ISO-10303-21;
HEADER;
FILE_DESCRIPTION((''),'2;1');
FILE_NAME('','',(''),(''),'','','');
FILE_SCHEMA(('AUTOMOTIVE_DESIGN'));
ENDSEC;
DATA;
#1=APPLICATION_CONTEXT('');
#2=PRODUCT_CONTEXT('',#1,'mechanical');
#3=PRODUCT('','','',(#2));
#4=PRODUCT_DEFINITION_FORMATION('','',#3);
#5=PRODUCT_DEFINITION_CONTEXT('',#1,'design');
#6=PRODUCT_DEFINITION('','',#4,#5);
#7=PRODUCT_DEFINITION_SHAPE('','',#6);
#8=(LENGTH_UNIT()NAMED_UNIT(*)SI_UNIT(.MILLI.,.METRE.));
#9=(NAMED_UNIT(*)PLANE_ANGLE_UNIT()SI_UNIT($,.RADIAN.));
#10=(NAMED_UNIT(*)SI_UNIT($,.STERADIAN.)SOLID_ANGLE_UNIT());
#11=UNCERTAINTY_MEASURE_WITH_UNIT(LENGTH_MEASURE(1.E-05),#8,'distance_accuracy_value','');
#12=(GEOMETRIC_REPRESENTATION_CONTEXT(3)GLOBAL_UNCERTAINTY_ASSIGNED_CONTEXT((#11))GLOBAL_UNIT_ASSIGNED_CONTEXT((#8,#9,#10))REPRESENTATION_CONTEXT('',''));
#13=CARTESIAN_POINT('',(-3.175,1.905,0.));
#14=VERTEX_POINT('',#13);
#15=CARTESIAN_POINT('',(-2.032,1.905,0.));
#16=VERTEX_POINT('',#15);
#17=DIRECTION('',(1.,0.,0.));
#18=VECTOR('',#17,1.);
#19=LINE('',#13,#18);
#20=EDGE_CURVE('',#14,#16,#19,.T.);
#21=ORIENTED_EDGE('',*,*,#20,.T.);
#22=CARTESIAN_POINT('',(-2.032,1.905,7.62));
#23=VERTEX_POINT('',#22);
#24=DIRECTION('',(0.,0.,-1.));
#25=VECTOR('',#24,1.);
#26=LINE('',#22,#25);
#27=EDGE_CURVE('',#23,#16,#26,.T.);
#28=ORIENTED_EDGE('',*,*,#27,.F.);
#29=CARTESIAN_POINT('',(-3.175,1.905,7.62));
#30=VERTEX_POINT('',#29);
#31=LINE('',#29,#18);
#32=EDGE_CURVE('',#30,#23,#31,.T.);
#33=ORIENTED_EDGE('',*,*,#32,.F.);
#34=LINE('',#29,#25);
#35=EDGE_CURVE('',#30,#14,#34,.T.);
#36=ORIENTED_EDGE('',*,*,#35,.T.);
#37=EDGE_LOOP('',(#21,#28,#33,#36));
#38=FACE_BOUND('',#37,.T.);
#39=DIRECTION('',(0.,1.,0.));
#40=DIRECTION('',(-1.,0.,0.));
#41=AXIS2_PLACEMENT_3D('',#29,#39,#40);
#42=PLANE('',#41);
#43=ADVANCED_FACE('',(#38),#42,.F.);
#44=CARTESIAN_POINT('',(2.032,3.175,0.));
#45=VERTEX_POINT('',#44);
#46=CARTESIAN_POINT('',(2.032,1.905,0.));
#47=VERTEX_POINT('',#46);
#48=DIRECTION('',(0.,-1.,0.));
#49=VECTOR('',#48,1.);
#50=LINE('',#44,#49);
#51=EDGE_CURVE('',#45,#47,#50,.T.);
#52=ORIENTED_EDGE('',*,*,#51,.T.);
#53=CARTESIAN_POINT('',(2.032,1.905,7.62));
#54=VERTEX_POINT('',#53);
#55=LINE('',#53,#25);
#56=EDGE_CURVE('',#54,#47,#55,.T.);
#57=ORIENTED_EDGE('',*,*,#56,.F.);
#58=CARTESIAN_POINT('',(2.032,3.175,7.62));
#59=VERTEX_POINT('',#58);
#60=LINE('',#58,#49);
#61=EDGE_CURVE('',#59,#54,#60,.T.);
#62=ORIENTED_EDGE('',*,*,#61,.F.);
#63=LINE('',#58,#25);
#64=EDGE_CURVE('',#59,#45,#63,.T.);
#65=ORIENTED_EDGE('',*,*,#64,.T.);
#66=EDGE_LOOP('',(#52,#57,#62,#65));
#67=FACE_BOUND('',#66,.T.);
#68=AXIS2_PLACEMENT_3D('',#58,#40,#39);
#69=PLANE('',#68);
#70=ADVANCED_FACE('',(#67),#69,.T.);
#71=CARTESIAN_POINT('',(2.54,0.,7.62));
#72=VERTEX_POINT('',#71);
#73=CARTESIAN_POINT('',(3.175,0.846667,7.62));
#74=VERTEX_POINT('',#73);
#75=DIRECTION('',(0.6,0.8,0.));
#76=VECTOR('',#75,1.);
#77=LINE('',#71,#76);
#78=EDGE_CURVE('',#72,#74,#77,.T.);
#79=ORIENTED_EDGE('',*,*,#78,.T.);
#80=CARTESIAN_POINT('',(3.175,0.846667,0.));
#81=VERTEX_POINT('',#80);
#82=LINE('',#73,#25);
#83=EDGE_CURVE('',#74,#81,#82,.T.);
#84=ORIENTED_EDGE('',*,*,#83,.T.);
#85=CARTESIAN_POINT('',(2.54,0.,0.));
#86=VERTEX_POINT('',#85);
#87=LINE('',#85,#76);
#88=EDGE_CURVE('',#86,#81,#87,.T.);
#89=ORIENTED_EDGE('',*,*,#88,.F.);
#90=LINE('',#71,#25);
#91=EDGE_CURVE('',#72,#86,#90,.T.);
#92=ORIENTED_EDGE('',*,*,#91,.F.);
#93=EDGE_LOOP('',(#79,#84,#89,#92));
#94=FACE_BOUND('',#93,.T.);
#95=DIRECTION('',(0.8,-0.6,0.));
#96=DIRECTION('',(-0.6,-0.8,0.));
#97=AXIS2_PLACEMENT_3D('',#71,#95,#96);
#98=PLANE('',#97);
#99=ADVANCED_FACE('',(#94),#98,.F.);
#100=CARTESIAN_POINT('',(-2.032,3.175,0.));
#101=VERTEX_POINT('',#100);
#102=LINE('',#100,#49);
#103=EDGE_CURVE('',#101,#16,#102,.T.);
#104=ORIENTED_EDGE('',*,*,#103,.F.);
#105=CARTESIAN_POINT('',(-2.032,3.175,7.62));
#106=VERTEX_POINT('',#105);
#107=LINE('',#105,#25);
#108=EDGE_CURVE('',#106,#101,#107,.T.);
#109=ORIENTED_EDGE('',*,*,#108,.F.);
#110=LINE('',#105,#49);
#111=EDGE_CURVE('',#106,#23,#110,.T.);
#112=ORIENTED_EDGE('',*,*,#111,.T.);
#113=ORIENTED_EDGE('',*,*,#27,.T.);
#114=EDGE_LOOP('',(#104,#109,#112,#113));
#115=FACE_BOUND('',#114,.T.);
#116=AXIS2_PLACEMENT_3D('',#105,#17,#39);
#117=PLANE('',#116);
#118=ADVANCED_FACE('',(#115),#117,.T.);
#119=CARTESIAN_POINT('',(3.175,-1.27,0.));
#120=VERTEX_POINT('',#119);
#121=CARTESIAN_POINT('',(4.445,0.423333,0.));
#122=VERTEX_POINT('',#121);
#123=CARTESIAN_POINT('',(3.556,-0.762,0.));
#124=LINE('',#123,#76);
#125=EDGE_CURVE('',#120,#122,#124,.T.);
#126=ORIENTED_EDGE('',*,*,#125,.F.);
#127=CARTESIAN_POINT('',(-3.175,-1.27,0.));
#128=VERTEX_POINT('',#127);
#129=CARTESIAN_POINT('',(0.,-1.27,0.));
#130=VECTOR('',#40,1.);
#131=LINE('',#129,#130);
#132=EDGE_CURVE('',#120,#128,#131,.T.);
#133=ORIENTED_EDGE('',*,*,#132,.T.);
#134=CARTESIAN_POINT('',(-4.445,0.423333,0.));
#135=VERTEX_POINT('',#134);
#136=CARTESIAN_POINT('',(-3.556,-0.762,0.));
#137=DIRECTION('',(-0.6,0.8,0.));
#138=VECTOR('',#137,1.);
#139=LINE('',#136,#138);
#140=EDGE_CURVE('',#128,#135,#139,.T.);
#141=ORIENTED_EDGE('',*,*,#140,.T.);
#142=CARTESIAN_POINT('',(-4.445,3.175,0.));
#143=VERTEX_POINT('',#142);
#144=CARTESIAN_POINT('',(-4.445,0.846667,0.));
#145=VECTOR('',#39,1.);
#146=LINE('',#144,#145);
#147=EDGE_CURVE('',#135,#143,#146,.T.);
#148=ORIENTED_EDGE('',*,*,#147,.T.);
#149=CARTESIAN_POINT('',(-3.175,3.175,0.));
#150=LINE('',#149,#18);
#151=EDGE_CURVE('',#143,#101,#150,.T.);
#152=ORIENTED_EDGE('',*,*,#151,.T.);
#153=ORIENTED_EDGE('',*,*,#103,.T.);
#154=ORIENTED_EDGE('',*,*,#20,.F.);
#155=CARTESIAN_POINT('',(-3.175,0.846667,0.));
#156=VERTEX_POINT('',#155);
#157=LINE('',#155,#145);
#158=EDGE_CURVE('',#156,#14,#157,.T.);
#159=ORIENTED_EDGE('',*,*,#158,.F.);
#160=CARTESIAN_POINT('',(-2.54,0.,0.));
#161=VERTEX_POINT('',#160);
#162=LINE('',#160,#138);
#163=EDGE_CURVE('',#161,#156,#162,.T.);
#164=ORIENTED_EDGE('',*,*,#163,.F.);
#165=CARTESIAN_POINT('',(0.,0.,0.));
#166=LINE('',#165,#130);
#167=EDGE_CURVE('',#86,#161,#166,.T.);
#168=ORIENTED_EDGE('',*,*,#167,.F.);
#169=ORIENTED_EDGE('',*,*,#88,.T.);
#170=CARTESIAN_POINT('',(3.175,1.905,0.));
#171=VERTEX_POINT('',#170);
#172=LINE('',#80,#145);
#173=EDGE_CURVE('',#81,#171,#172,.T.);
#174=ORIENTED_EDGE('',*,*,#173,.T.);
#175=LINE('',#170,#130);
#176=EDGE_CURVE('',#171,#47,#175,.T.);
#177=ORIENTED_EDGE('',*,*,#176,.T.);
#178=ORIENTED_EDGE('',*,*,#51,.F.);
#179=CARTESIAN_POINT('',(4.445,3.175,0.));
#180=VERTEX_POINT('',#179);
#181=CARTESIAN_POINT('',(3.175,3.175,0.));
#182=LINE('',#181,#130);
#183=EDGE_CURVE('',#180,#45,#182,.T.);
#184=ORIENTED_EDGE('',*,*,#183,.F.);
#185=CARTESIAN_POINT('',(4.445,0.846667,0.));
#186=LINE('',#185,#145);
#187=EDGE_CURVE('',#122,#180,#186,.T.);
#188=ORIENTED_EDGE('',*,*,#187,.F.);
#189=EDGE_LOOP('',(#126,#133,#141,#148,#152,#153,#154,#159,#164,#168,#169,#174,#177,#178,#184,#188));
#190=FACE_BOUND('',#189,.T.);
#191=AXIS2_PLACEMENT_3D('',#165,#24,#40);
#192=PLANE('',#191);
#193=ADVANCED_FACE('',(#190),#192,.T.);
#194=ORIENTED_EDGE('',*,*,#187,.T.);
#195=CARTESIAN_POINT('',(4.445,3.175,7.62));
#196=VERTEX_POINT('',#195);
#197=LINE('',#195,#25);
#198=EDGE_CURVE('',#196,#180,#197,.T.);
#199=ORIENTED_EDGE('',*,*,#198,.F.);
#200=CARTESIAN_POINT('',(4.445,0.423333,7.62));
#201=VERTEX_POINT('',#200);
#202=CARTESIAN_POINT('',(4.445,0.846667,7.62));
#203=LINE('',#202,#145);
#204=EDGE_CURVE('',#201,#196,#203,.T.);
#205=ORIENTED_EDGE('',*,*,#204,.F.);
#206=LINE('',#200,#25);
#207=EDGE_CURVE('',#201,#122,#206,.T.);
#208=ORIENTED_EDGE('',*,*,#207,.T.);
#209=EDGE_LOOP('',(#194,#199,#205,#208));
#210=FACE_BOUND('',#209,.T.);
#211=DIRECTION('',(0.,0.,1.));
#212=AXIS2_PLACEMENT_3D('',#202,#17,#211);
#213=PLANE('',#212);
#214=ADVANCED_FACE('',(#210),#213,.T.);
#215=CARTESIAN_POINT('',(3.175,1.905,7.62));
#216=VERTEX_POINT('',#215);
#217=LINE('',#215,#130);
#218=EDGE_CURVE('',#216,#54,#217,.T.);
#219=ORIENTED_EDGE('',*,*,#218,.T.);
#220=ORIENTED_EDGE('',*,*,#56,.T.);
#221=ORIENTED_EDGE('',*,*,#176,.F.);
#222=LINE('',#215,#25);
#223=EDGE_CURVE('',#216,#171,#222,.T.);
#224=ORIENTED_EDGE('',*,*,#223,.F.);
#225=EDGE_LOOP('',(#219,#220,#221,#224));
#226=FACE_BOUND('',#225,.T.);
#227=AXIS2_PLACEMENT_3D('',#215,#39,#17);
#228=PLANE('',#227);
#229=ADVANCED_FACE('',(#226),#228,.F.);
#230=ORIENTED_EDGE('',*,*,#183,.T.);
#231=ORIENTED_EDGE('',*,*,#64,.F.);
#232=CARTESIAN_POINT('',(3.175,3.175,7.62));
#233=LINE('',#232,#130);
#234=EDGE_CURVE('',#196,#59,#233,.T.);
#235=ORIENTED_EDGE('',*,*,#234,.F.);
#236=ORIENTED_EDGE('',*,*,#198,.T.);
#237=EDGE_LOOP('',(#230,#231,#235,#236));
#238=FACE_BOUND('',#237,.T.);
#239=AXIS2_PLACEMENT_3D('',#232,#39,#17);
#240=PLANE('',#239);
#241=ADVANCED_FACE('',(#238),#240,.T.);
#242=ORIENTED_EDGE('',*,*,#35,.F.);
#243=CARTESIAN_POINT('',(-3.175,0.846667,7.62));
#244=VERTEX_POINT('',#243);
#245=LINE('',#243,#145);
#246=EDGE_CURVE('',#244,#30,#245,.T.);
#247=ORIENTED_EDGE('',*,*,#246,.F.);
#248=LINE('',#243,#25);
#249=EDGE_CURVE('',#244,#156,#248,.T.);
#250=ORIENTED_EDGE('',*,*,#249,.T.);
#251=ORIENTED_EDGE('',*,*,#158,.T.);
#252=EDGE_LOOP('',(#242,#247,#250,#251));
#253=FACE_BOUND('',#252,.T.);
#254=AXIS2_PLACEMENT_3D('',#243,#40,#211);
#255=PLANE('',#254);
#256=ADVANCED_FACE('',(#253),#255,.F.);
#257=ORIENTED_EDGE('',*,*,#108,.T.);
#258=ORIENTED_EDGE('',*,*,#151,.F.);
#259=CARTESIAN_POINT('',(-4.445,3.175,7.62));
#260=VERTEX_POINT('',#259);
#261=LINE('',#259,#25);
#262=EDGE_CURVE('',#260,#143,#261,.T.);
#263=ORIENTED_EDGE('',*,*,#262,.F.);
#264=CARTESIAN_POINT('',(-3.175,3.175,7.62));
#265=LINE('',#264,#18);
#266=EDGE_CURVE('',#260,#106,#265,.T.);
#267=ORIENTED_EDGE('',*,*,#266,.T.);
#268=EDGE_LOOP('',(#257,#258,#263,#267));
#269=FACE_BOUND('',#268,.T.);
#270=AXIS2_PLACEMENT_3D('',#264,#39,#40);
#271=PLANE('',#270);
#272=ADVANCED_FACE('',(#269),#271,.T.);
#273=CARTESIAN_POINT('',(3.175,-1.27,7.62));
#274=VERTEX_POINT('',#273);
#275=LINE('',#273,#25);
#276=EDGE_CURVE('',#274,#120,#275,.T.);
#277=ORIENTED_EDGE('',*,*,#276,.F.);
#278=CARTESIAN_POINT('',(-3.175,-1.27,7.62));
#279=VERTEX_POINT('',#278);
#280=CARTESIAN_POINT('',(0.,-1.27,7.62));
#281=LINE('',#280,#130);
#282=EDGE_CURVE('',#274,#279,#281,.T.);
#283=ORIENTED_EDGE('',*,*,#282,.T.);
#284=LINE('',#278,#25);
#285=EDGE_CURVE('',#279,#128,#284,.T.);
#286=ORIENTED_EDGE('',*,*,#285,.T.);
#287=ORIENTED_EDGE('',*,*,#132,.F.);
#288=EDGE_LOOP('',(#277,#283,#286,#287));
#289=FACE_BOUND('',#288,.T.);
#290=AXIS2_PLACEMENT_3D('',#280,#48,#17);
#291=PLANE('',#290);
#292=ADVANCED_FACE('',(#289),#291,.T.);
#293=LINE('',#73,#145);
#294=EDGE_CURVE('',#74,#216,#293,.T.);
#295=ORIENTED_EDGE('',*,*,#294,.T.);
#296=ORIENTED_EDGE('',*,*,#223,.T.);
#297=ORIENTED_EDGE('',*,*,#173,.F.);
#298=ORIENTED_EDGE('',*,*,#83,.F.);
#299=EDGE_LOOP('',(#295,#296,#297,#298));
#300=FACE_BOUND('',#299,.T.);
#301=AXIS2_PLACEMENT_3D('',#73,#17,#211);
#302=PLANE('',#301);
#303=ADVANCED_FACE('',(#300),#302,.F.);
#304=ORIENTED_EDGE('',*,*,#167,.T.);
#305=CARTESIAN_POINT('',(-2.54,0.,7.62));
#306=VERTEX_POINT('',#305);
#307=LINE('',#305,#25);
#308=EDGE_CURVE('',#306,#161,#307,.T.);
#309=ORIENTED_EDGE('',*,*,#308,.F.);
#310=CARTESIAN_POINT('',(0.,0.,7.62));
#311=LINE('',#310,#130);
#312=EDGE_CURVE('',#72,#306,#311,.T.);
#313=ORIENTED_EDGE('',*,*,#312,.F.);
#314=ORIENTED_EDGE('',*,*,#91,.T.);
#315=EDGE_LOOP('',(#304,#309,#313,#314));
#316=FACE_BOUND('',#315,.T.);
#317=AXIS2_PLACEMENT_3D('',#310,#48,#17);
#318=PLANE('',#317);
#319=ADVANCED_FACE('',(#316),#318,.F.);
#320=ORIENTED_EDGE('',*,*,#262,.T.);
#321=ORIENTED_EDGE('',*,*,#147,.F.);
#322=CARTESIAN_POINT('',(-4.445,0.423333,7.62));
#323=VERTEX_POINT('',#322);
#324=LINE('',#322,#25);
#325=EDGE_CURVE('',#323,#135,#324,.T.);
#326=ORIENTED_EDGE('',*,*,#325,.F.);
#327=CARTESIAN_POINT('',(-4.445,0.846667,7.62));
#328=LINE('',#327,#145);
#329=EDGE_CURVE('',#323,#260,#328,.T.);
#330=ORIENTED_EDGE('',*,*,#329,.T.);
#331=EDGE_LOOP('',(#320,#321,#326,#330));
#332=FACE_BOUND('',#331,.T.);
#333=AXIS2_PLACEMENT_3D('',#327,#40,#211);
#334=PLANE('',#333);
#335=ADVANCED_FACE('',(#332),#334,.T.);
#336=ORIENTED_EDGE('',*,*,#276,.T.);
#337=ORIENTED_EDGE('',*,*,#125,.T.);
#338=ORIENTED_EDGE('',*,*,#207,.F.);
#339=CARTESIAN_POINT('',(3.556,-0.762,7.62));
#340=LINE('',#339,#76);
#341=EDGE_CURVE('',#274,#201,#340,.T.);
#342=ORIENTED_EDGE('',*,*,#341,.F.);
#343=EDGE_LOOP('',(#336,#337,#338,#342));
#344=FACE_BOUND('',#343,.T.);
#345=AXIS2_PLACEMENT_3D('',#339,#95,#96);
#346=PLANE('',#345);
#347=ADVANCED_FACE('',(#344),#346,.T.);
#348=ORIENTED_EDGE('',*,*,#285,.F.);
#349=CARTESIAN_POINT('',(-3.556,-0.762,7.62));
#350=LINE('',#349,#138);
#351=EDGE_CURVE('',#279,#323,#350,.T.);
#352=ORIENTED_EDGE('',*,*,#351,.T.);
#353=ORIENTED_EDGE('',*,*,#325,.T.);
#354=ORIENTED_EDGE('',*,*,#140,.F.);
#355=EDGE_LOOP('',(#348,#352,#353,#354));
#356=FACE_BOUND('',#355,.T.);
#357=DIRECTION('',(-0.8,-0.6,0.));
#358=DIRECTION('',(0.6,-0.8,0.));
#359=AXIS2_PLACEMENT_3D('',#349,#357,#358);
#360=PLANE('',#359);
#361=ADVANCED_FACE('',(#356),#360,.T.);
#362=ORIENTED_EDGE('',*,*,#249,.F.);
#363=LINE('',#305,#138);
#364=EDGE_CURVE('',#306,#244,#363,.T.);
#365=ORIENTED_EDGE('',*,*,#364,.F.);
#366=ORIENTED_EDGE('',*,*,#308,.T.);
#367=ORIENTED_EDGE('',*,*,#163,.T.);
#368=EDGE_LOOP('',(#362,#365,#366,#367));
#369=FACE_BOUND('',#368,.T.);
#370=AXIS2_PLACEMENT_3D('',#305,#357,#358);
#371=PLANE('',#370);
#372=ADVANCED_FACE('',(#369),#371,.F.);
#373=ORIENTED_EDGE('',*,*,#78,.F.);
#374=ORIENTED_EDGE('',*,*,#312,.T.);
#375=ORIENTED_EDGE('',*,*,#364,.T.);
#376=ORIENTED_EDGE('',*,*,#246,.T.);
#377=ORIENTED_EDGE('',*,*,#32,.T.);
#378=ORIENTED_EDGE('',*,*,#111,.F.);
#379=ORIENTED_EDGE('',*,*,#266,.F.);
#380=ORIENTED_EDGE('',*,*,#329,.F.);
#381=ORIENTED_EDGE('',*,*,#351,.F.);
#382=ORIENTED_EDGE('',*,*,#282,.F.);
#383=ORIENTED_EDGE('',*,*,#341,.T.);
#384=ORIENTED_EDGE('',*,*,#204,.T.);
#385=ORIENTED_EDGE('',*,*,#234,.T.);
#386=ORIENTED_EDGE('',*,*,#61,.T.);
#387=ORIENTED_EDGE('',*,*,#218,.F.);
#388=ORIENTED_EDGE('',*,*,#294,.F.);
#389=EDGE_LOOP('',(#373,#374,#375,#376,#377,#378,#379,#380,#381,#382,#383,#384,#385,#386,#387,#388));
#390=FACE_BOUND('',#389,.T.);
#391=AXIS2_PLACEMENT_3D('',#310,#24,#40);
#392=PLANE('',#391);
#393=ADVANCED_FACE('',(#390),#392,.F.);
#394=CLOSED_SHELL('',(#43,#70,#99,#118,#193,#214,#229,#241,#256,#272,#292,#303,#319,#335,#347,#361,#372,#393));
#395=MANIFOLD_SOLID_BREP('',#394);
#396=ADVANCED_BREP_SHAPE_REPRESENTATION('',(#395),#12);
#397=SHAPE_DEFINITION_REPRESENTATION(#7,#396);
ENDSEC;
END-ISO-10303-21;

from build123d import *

# Parameters (mm, degrees)
EXTRUDE_THIN1_DEPTH = 7.62


with BuildPart() as part:
    # Sketch1 → Extrude-Thin1 (new body)
    with BuildSketch(Plane.XY):
        Polygon((0, 0), (-2.54, 0), (-3.175, 0.846666667), (-3.175, 1.905), (-2.032, 1.905), (-2.032, 3.175), (-4.445, 3.175), (-4.445, 0.423333333), (-3.175, -1.27), (0, -1.27), align=None)
    extrude(amount=EXTRUDE_THIN1_DEPTH)

    # Mirror1: part across plane


with BuildPart() as part_1:
    add(part.part)
    add(part.part.mirror(Plane(origin=(0, 0, 7.62), x_dir=(0, 0, 1), z_dir=(1, 0, 0))))


solid = part_1.part
